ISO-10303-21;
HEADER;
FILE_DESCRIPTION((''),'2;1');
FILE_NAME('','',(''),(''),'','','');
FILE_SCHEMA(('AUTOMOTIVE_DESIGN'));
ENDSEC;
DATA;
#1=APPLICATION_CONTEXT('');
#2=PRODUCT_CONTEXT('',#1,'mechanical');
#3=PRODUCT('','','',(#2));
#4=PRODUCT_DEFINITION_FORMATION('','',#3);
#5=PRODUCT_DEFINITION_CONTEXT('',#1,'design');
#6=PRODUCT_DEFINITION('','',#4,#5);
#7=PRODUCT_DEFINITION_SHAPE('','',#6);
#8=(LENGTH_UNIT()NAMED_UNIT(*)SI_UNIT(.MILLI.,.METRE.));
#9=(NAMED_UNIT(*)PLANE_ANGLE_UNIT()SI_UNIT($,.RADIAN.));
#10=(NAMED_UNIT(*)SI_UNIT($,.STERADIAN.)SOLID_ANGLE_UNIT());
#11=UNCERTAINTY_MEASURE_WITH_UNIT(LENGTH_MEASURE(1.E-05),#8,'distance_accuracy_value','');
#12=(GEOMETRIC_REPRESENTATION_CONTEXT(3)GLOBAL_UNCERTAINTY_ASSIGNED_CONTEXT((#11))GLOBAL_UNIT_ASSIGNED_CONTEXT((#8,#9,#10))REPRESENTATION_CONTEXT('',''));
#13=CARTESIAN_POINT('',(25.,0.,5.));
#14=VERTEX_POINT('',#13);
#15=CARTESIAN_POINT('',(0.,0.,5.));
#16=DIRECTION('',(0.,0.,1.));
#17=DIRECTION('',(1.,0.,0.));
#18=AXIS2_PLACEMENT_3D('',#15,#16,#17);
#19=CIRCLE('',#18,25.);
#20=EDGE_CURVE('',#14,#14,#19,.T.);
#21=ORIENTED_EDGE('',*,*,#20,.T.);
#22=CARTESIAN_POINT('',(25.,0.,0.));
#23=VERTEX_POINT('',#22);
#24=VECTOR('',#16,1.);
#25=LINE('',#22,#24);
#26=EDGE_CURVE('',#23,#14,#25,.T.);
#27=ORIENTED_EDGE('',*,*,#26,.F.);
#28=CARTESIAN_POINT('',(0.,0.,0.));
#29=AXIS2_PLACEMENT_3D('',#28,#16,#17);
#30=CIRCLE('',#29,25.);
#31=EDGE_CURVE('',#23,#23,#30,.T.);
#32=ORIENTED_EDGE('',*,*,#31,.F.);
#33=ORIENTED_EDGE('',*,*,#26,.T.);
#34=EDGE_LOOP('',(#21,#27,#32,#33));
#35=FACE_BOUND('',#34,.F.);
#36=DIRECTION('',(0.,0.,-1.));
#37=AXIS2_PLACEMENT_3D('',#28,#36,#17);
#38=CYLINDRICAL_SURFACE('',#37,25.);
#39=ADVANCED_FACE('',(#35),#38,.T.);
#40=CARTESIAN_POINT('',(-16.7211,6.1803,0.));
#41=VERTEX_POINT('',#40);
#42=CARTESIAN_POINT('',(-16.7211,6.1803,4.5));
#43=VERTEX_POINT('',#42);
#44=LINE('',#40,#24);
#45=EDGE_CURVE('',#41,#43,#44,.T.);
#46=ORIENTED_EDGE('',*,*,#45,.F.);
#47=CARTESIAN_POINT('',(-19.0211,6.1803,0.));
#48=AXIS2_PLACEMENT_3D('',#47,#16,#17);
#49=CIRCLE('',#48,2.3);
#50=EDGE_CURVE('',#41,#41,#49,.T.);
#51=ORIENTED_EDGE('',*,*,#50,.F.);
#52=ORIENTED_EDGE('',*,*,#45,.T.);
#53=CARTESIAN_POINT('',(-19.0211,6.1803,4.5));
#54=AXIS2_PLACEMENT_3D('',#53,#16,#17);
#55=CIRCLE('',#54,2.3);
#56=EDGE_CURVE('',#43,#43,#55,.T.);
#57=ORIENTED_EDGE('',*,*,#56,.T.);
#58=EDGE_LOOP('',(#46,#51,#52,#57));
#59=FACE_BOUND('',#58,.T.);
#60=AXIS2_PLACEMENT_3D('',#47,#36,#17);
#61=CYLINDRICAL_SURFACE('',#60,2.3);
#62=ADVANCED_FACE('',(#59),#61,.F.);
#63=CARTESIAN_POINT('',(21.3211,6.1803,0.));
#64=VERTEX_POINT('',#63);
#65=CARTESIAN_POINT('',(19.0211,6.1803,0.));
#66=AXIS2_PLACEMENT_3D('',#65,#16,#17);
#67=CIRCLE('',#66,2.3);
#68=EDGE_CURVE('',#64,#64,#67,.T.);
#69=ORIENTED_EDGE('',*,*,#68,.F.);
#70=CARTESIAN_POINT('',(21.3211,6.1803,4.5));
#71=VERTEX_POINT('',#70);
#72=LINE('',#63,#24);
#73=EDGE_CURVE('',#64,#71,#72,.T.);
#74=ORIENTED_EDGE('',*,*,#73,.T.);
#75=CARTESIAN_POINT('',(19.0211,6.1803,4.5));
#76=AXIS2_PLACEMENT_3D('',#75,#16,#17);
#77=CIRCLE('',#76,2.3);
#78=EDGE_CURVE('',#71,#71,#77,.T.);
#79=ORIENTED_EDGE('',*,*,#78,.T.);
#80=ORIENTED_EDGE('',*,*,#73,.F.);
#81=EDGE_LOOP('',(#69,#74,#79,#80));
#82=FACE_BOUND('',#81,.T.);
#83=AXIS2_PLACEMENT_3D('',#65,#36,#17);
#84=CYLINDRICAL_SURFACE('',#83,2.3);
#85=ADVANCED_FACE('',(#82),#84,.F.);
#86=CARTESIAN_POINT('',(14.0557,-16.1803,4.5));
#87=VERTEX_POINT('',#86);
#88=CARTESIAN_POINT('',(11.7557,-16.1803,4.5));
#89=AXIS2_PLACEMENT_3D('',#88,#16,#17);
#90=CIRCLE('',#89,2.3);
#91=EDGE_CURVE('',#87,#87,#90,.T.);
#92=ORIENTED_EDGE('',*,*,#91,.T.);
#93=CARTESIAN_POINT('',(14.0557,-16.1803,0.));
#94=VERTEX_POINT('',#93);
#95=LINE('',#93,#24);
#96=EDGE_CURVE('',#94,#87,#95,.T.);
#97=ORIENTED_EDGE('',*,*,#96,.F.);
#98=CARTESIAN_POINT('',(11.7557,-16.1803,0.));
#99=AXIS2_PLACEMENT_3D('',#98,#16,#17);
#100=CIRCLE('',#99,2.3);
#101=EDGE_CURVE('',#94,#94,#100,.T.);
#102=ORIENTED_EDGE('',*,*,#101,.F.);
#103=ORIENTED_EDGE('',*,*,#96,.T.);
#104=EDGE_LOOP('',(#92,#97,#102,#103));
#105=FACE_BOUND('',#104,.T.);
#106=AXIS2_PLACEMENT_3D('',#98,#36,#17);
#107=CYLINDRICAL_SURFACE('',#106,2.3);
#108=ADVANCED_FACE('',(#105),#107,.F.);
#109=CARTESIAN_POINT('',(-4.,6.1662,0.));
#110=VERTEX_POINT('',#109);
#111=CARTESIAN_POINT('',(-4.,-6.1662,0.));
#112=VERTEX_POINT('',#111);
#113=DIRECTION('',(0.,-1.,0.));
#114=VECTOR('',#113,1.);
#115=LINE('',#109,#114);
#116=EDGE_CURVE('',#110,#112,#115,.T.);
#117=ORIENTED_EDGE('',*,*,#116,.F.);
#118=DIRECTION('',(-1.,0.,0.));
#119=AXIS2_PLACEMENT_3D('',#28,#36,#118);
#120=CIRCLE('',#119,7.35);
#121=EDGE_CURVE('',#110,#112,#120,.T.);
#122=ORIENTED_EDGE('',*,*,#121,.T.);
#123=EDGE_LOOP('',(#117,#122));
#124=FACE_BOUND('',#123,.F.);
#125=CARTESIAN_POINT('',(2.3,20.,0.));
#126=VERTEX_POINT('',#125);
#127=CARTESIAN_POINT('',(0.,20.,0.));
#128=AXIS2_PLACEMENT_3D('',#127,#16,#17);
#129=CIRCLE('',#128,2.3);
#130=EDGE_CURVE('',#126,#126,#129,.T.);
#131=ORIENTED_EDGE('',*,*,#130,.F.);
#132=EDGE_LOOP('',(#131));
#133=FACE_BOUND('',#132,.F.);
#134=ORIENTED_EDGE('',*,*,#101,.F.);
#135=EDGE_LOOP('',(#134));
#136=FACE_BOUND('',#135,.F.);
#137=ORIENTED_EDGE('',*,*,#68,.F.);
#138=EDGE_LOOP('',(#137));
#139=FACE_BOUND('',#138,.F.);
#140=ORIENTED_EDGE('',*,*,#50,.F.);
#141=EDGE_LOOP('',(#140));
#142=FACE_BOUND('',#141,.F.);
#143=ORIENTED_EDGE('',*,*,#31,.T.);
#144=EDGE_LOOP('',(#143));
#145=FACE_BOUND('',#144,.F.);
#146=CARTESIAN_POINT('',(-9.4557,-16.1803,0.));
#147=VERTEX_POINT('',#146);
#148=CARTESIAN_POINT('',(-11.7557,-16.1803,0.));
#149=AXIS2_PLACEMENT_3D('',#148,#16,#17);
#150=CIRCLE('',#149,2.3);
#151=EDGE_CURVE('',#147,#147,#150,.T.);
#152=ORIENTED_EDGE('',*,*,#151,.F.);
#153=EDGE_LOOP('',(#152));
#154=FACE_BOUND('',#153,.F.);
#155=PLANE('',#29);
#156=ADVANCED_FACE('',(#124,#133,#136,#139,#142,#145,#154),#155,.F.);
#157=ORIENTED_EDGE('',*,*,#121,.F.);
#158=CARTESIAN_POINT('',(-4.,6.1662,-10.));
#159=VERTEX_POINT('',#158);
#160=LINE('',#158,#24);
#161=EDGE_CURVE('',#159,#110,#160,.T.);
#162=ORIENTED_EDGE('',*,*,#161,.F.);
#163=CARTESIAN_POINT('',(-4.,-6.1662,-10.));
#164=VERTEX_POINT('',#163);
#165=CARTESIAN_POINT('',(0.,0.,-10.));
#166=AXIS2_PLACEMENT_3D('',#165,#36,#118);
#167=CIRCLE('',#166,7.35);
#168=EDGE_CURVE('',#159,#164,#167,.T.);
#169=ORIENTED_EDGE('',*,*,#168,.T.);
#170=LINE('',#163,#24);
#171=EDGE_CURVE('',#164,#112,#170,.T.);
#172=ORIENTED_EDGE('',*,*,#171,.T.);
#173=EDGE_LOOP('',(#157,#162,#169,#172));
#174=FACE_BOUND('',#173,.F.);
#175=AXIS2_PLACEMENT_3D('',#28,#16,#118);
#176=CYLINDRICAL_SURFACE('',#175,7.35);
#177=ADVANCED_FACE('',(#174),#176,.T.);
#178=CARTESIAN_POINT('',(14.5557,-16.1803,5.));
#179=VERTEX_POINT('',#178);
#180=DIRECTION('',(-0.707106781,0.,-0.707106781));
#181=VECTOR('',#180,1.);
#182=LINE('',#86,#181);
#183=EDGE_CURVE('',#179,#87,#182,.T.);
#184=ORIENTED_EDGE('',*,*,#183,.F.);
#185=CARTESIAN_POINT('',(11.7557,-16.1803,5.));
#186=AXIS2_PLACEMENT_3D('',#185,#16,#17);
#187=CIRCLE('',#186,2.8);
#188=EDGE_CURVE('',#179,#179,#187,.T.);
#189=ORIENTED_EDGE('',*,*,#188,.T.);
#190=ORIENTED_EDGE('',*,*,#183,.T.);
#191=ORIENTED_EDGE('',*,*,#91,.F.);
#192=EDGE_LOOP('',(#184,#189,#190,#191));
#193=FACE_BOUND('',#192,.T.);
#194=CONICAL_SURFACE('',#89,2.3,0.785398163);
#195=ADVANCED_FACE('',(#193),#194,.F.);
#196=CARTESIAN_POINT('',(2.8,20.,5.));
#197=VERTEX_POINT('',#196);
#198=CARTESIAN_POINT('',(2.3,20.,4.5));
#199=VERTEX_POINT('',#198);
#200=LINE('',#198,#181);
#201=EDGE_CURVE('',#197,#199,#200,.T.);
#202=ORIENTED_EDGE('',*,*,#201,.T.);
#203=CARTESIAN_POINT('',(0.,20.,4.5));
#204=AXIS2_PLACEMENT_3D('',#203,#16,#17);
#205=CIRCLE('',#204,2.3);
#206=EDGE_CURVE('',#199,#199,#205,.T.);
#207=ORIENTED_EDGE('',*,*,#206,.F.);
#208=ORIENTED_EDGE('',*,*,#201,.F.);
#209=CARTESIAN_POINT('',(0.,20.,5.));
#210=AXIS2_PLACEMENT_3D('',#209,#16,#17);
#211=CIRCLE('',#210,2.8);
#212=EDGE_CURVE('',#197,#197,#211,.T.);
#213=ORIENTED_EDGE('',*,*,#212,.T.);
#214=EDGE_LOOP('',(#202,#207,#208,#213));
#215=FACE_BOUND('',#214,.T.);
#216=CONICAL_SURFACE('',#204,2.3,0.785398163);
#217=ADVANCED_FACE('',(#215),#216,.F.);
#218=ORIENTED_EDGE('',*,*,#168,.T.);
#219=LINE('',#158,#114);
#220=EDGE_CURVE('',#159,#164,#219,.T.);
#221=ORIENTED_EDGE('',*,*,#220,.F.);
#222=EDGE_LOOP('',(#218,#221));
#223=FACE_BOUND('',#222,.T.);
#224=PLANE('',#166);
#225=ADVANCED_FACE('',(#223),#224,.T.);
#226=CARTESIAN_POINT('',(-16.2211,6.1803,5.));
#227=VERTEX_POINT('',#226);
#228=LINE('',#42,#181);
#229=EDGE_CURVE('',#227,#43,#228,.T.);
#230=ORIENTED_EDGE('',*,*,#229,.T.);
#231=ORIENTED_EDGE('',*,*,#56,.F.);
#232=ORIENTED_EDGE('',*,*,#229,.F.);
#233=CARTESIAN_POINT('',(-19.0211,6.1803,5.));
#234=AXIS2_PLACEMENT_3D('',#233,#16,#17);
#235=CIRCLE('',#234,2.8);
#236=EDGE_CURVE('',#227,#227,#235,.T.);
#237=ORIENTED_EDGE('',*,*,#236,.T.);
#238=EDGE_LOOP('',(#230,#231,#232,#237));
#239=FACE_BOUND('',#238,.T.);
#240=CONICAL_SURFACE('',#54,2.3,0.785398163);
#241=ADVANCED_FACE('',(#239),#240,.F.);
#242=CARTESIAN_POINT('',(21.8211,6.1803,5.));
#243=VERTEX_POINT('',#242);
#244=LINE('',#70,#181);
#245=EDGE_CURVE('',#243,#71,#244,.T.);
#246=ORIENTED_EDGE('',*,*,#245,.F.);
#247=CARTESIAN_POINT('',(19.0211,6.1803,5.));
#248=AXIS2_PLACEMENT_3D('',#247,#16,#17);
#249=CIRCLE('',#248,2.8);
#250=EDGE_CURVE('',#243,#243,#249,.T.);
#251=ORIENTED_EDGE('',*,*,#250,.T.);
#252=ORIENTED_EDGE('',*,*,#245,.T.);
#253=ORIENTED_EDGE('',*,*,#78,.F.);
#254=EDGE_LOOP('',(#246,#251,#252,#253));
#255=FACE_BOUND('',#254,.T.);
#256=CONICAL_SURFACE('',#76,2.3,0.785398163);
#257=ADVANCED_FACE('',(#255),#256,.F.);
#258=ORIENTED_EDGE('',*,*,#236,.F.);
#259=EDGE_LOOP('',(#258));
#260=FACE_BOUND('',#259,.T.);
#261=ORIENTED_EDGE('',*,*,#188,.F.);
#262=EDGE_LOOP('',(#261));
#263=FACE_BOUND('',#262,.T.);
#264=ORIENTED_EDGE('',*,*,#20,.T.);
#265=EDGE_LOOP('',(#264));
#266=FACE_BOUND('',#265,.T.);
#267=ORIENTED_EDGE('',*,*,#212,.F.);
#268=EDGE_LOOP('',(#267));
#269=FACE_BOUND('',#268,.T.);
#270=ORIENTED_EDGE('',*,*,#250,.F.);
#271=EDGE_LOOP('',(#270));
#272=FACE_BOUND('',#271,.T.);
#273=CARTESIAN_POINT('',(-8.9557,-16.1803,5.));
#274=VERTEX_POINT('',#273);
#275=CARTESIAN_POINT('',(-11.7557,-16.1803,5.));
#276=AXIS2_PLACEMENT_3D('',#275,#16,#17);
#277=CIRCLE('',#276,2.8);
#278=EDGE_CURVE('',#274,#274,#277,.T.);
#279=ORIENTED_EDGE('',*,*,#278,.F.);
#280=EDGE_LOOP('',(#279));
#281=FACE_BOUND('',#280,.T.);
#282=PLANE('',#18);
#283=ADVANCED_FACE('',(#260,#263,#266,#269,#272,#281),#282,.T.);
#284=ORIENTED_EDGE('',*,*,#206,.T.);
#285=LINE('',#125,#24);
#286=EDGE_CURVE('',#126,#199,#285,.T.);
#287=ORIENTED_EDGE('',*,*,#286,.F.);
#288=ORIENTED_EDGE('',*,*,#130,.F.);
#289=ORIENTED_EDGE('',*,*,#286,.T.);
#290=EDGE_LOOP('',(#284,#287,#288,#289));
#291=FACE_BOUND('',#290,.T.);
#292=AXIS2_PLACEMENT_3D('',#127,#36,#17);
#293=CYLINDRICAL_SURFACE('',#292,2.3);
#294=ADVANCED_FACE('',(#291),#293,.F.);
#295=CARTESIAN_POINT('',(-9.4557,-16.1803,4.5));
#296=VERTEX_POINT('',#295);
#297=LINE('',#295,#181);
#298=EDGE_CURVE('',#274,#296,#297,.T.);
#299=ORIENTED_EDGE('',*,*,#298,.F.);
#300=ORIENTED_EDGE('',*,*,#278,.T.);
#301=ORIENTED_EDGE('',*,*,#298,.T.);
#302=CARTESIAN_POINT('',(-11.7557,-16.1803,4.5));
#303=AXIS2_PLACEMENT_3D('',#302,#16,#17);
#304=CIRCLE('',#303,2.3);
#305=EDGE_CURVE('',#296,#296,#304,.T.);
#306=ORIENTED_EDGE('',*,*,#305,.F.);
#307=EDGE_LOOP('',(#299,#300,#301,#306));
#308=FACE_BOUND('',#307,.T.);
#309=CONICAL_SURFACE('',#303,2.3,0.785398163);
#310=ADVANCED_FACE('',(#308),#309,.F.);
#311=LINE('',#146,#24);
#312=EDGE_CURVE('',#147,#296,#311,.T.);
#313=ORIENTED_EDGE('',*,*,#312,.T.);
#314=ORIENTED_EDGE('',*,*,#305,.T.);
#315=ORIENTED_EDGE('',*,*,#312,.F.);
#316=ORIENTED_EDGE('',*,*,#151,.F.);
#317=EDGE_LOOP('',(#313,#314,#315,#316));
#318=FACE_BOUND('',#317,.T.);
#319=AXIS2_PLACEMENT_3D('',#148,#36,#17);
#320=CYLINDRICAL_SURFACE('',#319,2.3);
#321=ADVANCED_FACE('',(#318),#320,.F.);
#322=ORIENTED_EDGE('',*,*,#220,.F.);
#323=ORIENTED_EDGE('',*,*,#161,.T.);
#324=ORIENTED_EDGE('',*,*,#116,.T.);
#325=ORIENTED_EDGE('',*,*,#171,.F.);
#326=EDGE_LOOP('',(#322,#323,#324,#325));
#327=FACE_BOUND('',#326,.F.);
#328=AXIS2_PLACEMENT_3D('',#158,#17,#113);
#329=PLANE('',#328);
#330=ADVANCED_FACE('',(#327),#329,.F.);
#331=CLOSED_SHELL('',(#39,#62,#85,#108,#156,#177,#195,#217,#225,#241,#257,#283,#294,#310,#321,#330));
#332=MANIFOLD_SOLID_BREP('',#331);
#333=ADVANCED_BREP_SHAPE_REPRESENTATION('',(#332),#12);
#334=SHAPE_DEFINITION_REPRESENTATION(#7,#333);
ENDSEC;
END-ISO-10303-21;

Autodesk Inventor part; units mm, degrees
ref_plane "YZ Plane" through (0, 0, 0) normal (1, 0, 0) x (0, 1, 0)
ref_plane "XZ Plane" through (0, 0, 0) normal (0, 1, 0) x (-1, 0, 0)
ref_plane "XY Plane" through (0, 0, 0) normal (0, 0, 1) x (1, 0, 0)
sketch "스케치1" plane through (0, 0, 0) normal (0, 0, 1) x (1, 0, 0)
  circle A0 centre (0, 0) radius 20 construction
  circle A1 centre (0, 20) radius 2.3
  circle A2 centre (-19.0211, 6.1803) radius 2.3
  circle A3 centre (-11.7557, -16.1803) radius 2.3
  circle A4 centre (11.7557, -16.1803) radius 2.3
  circle A5 centre (19.0211, 6.1803) radius 2.3
  circle A6 centre (0, 0) radius 25
  dimension "d0" = 40
  dimension "d1" = 4.6
  dimension "d4" = 360
  dimension "d6" = 50
extrude "돌출1" add sketch "스케치1" along normal blind 5
sketch "스케치2" plane through (0, 0, 0) normal (0, 0, -1) x (-1, 0, 0)
  circle A0 centre (0, 0) radius 7.35
  dimension "d9" = 14.7
extrude "돌출2" add sketch "스케치2" along normal blind 10
chamfer "모따기1" distance 0.5 angle 45 5 edges at (-21.3211, 6.1803, 5) (-2.3, 20, 5) (16.7211, 6.1803, 5) (9.4557, -16.1803, 5) (-14.0557, -16.1803, 5)
sketch "스케치3" plane through (0, 0, -10) normal (0, 0, -1) x (-1, 0, 0)
  circle A0 centre (0, 0) radius 7.35 projected
  line L0 (4, 6.1662) -> (4, -6.1662)
  dimension "d15" = 4
extrude "돌출3" cut sketch "스케치3" against normal blind 10 contours A0 L0 picked at (5.1167, 0)
properties part number "회전축 상단"
